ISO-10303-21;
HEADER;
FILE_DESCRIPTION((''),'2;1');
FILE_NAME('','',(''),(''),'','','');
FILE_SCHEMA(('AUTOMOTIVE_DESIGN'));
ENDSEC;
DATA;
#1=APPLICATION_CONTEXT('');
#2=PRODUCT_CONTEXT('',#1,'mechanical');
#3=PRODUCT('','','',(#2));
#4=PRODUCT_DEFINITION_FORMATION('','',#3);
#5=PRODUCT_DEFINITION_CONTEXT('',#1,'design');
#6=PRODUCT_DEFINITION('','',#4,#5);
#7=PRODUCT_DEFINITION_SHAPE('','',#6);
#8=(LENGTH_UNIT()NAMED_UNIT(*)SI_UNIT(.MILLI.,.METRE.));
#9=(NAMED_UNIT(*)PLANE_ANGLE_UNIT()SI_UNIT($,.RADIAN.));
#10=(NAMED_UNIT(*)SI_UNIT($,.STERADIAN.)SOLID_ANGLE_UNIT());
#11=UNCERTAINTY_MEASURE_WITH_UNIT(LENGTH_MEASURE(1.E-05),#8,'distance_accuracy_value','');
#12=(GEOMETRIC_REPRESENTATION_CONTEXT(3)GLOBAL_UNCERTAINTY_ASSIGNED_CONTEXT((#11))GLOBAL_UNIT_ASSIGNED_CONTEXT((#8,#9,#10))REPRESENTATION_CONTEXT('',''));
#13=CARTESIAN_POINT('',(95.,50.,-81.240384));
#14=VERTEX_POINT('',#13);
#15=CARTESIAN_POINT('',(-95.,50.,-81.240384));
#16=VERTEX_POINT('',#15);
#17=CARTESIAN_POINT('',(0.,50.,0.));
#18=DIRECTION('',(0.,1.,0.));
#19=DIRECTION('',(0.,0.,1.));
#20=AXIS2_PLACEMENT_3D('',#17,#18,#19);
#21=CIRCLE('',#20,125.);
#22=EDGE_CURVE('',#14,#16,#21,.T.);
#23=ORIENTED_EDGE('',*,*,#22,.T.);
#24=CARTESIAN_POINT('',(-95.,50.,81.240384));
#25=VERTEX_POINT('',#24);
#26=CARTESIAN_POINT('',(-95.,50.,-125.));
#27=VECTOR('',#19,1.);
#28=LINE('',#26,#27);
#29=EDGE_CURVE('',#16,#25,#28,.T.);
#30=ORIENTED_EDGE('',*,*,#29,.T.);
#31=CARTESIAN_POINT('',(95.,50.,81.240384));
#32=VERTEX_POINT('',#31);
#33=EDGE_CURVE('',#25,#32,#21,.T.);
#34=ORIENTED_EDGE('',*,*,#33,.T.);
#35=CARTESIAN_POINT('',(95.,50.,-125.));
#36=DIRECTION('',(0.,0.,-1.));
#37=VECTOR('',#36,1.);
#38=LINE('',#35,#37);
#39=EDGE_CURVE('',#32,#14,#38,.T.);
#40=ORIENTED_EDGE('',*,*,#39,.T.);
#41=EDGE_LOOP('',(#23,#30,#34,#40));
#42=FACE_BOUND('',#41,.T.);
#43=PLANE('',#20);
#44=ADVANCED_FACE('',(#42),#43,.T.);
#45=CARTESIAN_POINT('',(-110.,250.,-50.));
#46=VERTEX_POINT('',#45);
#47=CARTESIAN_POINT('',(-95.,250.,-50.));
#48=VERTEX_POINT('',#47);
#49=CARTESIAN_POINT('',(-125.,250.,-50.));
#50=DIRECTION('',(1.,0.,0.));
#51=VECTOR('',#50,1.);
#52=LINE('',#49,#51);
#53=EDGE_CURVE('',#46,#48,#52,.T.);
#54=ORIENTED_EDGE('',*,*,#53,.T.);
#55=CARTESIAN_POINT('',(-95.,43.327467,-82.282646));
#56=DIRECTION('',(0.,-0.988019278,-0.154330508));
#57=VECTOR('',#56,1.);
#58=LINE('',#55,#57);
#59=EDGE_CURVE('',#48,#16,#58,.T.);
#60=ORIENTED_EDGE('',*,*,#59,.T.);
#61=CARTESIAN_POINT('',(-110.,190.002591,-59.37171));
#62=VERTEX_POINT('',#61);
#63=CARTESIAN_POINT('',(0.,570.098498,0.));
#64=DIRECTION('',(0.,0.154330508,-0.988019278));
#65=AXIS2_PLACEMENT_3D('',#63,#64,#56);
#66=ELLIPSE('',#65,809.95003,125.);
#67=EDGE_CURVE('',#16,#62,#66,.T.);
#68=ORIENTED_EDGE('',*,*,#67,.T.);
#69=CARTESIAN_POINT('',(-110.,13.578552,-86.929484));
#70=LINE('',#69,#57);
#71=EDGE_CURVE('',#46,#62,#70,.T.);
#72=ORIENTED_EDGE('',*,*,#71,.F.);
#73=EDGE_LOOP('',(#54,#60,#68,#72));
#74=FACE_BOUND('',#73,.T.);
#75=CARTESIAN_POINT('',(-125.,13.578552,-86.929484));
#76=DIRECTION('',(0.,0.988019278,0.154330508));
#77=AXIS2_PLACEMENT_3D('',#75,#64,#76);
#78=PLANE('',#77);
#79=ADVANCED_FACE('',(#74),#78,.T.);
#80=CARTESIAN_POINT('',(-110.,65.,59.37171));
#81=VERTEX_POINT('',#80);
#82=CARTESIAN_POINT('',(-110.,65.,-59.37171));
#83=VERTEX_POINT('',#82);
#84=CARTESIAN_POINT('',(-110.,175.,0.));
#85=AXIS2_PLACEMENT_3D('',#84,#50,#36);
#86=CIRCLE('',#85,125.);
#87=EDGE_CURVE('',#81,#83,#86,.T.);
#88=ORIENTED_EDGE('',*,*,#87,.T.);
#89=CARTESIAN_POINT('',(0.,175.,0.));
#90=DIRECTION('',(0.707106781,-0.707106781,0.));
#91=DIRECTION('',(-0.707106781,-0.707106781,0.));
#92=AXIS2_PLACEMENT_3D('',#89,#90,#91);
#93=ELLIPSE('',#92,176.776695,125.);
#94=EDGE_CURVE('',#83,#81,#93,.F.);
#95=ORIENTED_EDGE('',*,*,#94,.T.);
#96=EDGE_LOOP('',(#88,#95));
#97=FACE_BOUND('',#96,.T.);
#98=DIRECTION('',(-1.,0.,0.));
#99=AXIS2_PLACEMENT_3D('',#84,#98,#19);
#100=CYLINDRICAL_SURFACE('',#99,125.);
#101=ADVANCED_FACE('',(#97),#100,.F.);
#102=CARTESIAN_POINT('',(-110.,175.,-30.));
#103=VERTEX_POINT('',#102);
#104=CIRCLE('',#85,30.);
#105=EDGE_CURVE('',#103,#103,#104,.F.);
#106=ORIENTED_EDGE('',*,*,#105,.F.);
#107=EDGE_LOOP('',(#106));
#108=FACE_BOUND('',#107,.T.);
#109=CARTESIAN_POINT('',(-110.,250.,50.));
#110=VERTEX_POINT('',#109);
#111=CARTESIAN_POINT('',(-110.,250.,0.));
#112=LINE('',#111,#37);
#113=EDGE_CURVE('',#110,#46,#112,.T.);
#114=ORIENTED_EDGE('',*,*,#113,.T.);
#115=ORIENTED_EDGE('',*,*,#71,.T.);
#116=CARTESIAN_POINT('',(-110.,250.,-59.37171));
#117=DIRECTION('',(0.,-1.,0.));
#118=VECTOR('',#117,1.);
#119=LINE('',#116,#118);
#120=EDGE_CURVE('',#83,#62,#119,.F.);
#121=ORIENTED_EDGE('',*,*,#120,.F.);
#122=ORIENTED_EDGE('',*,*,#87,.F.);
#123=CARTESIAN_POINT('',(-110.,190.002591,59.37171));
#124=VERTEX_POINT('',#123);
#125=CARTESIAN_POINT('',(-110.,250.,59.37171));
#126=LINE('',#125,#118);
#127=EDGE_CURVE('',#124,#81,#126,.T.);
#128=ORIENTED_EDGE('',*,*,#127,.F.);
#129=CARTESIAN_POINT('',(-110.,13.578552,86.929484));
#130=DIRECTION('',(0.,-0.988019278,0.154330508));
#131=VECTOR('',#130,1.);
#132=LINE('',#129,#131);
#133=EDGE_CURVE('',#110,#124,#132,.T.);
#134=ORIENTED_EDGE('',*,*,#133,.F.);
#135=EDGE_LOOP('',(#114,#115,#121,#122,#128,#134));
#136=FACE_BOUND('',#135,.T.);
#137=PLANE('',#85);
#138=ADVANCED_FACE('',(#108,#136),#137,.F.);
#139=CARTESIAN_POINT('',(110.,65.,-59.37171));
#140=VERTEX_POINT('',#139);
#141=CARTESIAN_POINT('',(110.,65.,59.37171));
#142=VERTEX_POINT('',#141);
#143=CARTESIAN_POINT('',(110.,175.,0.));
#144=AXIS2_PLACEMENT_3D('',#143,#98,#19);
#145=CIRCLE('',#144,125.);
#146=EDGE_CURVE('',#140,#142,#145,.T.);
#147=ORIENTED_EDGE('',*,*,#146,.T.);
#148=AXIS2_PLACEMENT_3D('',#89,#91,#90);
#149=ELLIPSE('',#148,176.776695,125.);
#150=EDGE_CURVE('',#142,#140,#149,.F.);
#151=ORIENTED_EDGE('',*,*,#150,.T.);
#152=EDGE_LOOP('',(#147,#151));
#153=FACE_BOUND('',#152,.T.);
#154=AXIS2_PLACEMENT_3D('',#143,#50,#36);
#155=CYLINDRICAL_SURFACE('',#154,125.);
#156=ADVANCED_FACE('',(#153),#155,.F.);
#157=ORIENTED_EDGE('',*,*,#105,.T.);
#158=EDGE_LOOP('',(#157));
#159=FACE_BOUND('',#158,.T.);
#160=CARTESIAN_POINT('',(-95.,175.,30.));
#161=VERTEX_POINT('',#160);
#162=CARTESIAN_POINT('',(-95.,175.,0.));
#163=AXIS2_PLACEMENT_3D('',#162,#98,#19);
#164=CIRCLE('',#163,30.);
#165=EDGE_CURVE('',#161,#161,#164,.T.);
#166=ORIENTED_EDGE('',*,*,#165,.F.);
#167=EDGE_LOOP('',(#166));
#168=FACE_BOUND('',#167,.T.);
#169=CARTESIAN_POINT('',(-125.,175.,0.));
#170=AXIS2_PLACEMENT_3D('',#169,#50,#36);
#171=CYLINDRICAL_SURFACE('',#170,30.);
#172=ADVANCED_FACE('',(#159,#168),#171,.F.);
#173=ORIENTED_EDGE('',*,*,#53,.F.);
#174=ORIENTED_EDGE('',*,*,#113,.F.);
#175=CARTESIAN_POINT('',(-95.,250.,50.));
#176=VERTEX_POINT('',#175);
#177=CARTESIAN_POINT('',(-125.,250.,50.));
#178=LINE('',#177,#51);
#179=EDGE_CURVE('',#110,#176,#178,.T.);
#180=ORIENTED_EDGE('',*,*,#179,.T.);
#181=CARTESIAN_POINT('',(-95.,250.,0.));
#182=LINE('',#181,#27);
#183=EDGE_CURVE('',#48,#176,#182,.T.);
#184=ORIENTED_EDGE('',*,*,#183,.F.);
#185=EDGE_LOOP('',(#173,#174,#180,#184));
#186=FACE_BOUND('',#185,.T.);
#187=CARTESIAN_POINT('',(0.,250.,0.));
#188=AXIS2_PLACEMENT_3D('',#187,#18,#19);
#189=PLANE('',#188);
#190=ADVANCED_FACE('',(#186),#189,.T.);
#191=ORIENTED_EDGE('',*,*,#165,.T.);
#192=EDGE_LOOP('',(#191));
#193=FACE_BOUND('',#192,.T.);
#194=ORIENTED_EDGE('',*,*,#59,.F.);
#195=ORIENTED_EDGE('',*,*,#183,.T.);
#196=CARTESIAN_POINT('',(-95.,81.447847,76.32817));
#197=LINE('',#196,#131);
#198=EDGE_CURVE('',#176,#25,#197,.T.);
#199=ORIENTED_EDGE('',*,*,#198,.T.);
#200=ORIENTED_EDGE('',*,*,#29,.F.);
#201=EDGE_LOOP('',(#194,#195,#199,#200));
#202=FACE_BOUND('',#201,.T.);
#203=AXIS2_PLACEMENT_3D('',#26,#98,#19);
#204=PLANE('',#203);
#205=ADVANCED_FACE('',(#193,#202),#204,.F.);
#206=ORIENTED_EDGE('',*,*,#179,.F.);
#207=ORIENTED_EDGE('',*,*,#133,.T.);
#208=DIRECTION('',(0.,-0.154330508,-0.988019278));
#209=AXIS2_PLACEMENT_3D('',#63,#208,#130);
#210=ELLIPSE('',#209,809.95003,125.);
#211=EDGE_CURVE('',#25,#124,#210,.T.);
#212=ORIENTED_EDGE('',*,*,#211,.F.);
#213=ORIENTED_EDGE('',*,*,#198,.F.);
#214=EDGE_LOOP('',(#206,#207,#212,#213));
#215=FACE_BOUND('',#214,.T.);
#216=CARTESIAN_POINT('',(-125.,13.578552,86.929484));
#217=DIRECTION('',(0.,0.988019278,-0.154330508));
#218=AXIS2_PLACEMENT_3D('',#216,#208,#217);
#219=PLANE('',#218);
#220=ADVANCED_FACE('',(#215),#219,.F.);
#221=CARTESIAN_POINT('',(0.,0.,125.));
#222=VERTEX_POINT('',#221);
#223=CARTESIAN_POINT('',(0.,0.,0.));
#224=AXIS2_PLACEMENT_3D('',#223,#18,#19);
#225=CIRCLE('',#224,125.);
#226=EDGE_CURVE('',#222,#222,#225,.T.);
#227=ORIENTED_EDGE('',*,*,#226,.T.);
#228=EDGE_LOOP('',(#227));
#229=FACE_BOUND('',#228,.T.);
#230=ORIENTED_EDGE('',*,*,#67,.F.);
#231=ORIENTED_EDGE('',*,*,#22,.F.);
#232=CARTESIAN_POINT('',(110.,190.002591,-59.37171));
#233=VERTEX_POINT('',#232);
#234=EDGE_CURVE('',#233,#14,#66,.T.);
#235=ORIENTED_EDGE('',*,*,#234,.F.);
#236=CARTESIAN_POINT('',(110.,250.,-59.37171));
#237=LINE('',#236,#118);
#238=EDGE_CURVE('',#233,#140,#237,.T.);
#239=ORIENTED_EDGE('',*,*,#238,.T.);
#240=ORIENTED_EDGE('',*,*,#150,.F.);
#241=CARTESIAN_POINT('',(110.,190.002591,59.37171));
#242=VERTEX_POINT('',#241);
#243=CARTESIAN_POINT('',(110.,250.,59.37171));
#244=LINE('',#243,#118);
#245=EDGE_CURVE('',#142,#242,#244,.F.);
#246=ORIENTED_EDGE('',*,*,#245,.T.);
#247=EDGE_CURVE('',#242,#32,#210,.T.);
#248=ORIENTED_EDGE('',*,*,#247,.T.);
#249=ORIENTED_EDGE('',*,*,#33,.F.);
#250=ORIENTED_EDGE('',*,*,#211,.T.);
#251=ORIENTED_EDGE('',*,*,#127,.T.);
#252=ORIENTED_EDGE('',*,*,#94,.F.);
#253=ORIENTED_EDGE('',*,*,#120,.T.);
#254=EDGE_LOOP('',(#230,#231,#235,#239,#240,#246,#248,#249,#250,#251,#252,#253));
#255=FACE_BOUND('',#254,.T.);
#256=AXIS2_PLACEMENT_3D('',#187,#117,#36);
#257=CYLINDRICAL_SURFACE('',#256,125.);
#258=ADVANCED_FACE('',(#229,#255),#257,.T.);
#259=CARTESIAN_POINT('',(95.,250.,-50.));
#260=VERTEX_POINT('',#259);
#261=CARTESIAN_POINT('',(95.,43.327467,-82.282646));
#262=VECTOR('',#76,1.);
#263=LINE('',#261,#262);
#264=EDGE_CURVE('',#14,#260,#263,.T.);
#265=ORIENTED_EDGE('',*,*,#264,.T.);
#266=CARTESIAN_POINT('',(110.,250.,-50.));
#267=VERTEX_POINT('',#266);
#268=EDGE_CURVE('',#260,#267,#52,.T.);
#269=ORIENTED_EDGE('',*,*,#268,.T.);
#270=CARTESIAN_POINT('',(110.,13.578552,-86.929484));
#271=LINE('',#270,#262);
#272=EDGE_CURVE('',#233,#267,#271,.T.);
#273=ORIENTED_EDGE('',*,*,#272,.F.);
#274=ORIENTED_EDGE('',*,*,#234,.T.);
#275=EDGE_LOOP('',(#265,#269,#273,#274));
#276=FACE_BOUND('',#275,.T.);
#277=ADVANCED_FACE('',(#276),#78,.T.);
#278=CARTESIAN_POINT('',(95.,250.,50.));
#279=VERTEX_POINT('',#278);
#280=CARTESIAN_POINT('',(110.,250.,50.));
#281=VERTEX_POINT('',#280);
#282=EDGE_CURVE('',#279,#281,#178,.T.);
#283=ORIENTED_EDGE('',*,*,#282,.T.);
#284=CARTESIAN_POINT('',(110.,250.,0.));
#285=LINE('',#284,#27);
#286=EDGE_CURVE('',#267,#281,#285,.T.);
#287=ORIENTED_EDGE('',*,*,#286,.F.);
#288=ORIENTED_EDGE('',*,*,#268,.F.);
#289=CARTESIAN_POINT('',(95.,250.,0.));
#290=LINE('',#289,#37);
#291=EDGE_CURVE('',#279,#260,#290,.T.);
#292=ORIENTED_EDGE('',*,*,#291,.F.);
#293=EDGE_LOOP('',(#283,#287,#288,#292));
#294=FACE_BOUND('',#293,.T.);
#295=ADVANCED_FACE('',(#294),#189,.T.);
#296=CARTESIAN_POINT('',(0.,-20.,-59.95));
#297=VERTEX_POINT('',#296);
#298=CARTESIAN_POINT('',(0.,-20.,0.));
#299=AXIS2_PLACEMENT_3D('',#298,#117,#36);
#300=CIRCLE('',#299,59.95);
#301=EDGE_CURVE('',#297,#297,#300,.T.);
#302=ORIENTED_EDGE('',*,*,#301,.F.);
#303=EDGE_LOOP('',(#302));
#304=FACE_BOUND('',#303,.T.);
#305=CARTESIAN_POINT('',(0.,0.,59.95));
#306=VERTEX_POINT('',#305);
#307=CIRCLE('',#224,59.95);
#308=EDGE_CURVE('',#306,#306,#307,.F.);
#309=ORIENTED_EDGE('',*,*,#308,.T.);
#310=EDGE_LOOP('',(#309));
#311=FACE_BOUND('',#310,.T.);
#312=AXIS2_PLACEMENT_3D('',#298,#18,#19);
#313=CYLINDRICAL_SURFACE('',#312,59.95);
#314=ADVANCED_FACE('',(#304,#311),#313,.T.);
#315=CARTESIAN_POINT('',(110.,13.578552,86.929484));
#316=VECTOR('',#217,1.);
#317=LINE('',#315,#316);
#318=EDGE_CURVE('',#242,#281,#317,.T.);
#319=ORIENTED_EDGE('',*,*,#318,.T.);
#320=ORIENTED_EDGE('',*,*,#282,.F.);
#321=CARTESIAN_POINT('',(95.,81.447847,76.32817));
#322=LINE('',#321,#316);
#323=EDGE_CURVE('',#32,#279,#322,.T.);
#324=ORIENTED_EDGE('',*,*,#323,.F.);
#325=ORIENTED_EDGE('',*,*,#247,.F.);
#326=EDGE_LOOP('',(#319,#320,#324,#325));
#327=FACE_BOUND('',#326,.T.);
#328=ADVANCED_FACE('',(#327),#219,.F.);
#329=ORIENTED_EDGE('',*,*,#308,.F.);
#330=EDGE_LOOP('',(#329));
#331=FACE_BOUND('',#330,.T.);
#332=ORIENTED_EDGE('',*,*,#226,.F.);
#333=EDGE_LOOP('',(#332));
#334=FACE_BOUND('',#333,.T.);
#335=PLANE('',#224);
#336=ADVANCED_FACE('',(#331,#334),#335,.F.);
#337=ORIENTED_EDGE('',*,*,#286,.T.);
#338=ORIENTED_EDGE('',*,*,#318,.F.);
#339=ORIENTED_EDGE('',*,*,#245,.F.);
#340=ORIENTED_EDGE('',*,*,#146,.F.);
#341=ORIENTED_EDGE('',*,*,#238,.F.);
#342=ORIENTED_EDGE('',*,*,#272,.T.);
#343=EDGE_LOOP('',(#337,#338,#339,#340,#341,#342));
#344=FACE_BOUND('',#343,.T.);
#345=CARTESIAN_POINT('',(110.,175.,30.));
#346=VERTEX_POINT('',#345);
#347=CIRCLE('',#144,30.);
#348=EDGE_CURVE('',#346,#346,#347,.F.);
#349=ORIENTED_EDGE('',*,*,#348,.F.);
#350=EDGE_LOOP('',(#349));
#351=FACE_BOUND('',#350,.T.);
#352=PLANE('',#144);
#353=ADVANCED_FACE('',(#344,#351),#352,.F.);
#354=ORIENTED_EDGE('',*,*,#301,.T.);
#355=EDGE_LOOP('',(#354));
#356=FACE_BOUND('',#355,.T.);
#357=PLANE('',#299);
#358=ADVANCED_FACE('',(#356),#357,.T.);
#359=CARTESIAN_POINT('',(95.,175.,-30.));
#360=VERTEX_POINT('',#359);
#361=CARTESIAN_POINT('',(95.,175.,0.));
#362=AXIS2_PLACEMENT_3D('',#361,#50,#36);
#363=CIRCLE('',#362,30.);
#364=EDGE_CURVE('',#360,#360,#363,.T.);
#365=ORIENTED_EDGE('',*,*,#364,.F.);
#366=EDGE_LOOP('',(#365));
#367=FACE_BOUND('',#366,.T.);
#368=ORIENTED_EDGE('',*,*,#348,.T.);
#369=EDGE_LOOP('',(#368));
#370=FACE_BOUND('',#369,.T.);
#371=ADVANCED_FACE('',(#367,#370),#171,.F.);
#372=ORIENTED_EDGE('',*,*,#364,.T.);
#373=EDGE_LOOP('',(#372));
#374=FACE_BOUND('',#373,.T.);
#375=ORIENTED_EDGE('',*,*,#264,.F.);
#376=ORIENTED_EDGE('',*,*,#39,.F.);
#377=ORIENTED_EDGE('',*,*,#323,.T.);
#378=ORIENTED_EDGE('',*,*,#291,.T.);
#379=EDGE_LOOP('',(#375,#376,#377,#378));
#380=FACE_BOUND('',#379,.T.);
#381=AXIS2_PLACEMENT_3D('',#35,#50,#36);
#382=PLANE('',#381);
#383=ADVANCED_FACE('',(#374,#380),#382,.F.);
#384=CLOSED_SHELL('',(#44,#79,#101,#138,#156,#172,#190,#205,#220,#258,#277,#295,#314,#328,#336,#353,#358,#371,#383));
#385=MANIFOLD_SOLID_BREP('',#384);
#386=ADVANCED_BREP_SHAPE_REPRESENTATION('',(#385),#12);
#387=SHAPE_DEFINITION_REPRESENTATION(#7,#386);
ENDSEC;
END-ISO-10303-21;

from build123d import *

# Parameters (mm, degrees)
SKETCH1_R               = 125
BOSS_EXTRUDE1_DEPTH     = 250
SKETCH3_W               = 190
SKETCH3_H               = 250
CUT_EXTRUDE1_DEPTH      = 200
CUT_EXTRUDE3_DEPTH      = 221
CUT_EXTRUDE3_DEPTH_BACK = 31
SKETCH8_R               = 30
CUT_EXTRUDE4_DEPTH      = 221
CUT_EXTRUDE4_DEPTH_BACK = 31
SKETCH6_R               = 125
CUT_EXTRUDE8_DEPTH      = 60
SKETCH7_R               = 125
CUT_EXTRUDE9_DEPTH      = 60
SKETCH9_R               = 59.95
BOSS_EXTRUDE2_DEPTH     = 20


with BuildPart() as part:
    # Sketch1 → Boss-Extrude1 (new body)
    with BuildSketch(Plane(origin=(0, 0, 0), x_dir=(1, 0, 0), z_dir=(0, 1, 0))):
        Circle(SKETCH1_R)
    extrude(amount=BOSS_EXTRUDE1_DEPTH)

    # Sketch3 → Cut-Extrude1 (cut)
    with BuildSketch(Plane(origin=(0, 250, 0), x_dir=(1, 0, 0), z_dir=(0, 1, 0))):
        Rectangle(SKETCH3_W, SKETCH3_H)
    extrude(amount=-CUT_EXTRUDE1_DEPTH, mode=Mode.SUBTRACT)

    # Sketch4 → Cut-Extrude3 (cut, two sides)
    with BuildSketch(Plane(origin=(-95, 0, 0), x_dir=(0, 0, -1), z_dir=(1, 0, 0))) as cut_extrude3_sk:
        Polygon((-81.240384046, 250), (-81.240384046, 50), (-50, 250), align=None)
        Polygon((50, 250), (81.240384046, 50), (81.240384046, 250), align=None)
    extrude(amount=CUT_EXTRUDE3_DEPTH, mode=Mode.SUBTRACT)
    extrude(cut_extrude3_sk.sketch, amount=-CUT_EXTRUDE3_DEPTH_BACK, mode=Mode.SUBTRACT)

    # Sketch8 → Cut-Extrude4 (cut, two sides)
    with BuildSketch(Plane(origin=(-95, 0, 0), x_dir=(0, 0, -1), z_dir=(1, 0, 0))) as cut_extrude4_sk:
        with Locations((0, 175)):
            Circle(SKETCH8_R)
    extrude(amount=CUT_EXTRUDE4_DEPTH, mode=Mode.SUBTRACT)
    extrude(cut_extrude4_sk.sketch, amount=-CUT_EXTRUDE4_DEPTH_BACK, mode=Mode.SUBTRACT)

    # Sketch6 → Cut-Extrude8 (cut)
    with BuildSketch(Plane(origin=(-170, 0, 0), x_dir=(0, 0, -1), z_dir=(1, 0, 0))):
        with Locations((0, 175)):
            Circle(SKETCH6_R)
    extrude(amount=CUT_EXTRUDE8_DEPTH, mode=Mode.SUBTRACT)

    # Sketch7 → Cut-Extrude9 (cut)
    with BuildSketch(Plane.ZY.offset(-170)):
        with Locations((0, 175)):
            Circle(SKETCH7_R)
    extrude(amount=CUT_EXTRUDE9_DEPTH, mode=Mode.SUBTRACT)

    # Sketch9 → Boss-Extrude2 (add)
    with BuildSketch(Plane.XZ):
        Circle(SKETCH9_R)
    extrude(amount=BOSS_EXTRUDE2_DEPTH)


solid = part.part
